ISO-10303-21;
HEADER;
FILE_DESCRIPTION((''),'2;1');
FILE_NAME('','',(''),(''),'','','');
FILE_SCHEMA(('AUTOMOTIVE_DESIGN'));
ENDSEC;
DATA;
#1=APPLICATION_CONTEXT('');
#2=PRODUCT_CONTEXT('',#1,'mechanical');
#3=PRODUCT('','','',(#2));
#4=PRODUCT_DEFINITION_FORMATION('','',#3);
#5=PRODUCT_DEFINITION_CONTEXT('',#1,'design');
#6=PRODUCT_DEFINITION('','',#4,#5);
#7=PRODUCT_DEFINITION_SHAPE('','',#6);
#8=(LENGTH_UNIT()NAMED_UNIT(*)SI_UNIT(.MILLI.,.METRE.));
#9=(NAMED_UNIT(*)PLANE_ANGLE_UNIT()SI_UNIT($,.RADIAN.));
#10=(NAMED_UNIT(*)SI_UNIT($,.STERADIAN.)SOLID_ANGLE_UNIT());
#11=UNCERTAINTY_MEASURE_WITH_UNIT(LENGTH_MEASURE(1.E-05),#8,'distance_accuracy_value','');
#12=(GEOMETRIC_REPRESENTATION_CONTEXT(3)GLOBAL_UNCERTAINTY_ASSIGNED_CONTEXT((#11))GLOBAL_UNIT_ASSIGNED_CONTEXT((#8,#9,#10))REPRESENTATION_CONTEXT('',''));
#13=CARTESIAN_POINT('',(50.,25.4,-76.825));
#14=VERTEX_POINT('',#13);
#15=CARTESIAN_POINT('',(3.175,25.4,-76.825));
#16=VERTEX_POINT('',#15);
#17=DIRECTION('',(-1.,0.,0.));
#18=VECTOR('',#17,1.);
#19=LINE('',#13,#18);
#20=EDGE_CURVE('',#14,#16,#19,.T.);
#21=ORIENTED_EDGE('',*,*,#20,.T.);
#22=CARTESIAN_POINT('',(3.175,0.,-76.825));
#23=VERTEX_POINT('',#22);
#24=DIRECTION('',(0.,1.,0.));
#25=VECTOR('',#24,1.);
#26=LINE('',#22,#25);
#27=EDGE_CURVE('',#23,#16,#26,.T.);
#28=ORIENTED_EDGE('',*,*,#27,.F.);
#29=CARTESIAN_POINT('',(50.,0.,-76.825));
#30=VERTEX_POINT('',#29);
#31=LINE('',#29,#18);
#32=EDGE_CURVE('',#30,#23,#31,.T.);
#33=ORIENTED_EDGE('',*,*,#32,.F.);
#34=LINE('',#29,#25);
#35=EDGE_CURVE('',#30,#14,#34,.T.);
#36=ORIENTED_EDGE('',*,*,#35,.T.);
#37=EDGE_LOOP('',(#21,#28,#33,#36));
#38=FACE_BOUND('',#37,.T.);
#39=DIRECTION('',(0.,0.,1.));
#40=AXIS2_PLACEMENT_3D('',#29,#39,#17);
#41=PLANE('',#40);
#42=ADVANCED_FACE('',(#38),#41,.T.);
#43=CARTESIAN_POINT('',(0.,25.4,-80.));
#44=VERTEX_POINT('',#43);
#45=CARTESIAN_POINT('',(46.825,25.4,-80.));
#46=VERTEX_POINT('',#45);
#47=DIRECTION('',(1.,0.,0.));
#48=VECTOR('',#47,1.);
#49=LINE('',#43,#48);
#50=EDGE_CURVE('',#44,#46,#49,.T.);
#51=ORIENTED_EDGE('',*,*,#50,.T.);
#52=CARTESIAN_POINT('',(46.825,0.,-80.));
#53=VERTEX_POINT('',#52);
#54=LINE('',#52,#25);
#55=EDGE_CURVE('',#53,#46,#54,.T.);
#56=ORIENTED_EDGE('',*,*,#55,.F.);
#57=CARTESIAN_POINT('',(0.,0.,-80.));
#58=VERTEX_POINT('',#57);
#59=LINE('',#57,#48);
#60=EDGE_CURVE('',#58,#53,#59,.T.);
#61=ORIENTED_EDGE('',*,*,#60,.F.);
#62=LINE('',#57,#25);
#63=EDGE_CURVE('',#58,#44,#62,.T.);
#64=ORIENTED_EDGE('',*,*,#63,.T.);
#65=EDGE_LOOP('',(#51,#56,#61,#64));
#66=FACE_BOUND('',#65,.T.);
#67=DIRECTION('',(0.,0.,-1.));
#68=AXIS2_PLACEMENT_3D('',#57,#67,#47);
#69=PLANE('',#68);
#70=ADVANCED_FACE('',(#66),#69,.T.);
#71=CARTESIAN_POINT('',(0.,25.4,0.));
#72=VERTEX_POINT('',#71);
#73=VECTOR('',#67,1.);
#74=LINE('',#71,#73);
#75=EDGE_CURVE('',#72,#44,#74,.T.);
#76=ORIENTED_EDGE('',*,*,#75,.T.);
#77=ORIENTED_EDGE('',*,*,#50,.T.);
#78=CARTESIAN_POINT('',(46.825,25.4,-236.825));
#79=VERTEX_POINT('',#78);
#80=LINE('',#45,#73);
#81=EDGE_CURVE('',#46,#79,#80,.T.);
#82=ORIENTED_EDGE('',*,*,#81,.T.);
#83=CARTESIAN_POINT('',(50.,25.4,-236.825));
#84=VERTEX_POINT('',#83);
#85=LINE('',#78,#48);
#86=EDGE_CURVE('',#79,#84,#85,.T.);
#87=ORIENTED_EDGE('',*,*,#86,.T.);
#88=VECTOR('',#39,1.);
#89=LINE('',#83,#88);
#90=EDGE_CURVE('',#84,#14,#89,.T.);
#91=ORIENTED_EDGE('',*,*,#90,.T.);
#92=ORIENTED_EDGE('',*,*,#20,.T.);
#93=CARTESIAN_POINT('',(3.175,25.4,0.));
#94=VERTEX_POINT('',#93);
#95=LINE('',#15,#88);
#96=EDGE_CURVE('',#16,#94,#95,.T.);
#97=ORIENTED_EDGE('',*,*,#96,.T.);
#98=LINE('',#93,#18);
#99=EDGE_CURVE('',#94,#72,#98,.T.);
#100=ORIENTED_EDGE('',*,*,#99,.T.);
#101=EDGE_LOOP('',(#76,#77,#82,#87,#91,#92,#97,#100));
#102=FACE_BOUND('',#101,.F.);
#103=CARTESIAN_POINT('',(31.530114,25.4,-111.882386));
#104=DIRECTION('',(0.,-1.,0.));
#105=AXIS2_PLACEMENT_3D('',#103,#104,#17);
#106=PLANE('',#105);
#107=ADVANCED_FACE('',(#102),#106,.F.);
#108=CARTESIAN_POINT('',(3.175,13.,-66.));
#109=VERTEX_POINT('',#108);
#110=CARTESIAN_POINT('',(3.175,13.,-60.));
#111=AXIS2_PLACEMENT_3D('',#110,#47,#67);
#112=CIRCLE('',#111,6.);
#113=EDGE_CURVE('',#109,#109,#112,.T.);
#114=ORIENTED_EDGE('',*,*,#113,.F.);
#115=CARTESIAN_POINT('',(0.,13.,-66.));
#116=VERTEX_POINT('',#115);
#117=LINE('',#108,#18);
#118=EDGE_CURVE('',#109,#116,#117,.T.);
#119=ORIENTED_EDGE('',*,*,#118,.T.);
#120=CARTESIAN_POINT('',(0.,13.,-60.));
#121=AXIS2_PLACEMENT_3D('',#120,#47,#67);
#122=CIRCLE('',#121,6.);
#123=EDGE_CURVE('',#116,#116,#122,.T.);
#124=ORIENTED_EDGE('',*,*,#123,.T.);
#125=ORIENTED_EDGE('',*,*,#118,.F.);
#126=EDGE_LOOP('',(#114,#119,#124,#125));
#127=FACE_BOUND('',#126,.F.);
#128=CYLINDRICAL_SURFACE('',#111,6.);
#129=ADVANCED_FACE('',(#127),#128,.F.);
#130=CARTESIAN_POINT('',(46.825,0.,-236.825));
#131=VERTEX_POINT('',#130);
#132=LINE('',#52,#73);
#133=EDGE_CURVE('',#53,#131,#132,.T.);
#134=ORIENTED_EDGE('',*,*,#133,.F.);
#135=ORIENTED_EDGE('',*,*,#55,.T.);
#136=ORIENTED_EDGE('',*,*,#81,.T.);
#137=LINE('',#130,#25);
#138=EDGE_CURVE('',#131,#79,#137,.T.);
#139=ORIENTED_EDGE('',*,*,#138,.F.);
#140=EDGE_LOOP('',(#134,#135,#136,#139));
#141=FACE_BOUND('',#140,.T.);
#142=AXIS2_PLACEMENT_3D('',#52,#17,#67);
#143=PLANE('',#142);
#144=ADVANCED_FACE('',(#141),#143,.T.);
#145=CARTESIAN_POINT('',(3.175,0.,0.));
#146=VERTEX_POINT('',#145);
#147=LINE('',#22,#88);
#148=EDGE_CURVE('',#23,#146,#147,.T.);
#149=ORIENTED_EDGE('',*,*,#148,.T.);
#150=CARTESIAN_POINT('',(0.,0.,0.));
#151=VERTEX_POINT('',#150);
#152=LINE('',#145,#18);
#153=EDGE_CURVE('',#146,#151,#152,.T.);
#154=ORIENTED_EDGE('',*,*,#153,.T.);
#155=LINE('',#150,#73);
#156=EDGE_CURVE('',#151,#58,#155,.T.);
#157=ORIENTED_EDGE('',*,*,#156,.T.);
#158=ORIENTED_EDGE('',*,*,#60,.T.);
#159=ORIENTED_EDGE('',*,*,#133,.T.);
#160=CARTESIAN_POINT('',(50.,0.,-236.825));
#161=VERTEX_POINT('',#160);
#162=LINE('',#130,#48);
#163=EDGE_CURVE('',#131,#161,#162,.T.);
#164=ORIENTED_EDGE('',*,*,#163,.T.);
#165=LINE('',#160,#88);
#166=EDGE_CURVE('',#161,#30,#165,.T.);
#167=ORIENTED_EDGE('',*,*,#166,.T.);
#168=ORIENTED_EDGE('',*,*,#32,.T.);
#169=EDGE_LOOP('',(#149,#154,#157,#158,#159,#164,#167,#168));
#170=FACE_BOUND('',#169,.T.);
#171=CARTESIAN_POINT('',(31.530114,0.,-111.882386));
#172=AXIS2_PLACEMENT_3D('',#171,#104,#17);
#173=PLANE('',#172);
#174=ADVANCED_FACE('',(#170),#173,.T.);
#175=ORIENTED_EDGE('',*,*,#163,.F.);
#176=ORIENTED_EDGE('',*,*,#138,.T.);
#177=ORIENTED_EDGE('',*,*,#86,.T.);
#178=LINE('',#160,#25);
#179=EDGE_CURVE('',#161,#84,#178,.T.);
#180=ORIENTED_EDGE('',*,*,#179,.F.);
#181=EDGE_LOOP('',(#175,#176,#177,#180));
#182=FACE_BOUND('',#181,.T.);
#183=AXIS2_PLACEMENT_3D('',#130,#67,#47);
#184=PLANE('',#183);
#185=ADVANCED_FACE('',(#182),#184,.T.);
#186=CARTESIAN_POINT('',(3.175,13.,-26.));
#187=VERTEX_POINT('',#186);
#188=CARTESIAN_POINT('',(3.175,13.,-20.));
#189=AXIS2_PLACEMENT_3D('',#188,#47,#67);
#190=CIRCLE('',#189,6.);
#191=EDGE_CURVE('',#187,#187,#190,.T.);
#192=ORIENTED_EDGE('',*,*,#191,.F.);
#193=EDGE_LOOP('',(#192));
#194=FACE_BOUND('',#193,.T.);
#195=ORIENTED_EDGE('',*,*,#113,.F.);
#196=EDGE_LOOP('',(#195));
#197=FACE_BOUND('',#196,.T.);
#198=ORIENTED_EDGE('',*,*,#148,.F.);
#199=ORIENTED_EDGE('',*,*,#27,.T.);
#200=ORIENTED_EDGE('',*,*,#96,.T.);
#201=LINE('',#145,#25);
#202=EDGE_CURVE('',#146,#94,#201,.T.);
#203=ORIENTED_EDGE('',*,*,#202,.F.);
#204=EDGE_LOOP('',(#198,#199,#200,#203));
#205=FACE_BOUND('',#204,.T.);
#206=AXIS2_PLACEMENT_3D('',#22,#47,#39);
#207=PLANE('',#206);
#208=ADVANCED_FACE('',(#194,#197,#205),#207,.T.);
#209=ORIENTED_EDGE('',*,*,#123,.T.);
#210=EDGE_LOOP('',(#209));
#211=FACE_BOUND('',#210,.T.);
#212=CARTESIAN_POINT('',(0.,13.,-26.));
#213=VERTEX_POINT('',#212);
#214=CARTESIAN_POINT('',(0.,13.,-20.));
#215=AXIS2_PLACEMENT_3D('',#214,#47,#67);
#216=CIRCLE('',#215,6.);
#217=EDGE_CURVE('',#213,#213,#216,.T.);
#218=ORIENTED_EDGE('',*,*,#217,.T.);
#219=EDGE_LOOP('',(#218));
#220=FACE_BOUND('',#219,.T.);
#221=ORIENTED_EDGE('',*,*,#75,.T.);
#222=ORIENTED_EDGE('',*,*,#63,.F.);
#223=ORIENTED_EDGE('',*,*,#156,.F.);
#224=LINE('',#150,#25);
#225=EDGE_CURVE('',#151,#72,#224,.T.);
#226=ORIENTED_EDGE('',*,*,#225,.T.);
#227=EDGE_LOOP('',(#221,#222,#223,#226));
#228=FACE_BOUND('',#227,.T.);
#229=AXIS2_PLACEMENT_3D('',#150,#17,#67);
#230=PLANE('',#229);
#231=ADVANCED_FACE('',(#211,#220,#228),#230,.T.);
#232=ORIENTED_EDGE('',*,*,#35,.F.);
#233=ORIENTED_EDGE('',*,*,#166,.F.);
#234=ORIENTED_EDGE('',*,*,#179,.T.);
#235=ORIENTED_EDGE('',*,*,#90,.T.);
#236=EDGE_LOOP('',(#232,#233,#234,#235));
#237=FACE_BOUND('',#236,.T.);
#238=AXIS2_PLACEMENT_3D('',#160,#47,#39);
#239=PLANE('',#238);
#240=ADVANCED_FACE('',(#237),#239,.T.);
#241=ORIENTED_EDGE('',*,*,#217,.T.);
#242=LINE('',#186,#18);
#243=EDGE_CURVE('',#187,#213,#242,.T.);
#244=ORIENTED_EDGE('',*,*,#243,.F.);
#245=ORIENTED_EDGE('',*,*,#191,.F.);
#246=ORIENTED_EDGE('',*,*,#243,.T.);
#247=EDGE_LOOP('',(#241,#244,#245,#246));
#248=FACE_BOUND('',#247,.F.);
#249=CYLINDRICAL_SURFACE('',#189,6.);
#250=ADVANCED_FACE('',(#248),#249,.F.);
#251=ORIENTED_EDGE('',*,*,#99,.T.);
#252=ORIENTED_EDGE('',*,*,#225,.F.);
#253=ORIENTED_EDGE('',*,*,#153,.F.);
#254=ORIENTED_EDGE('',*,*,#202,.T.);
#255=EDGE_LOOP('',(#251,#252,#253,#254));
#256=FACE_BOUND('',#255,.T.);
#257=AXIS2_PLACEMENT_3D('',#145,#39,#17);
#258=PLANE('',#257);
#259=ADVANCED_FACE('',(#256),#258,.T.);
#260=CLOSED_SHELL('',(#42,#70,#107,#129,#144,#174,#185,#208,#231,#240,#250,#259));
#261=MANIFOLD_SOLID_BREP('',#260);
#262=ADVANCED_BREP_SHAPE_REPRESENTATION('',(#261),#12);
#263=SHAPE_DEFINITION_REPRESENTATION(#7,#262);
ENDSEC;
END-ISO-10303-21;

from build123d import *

# Parameters (mm, degrees)
BOSS_EXTRUDE1_DEPTH = 25.4
SKETCH2_R           = 6
CUT_EXTRUDE1_DEPTH  = 25.4


with BuildPart() as part:
    # Sketch1 → Boss-Extrude1 (new body)
    with BuildSketch(Plane(origin=(0, 0, 0), x_dir=(1, 0, 0), z_dir=(0, 1, 0))):
        Polygon((0, 0), (0, 80), (46.825, 80), (46.825, 236.825), (50, 236.825), (50, 76.825), (3.175, 76.825), (3.175, 0), align=None)
    extrude(amount=BOSS_EXTRUDE1_DEPTH)

    # Sketch2 → Cut-Extrude1 (cut)
    with BuildSketch(Plane(origin=(3.175, 0, 0), x_dir=(0, 0, -1), z_dir=(1, 0, 0))):
        with Locations((60, 13)):
            Circle(SKETCH2_R)
        with Locations((20, 13)):
            Circle(SKETCH2_R)
    extrude(amount=-CUT_EXTRUDE1_DEPTH, mode=Mode.SUBTRACT)


solid = part.part
